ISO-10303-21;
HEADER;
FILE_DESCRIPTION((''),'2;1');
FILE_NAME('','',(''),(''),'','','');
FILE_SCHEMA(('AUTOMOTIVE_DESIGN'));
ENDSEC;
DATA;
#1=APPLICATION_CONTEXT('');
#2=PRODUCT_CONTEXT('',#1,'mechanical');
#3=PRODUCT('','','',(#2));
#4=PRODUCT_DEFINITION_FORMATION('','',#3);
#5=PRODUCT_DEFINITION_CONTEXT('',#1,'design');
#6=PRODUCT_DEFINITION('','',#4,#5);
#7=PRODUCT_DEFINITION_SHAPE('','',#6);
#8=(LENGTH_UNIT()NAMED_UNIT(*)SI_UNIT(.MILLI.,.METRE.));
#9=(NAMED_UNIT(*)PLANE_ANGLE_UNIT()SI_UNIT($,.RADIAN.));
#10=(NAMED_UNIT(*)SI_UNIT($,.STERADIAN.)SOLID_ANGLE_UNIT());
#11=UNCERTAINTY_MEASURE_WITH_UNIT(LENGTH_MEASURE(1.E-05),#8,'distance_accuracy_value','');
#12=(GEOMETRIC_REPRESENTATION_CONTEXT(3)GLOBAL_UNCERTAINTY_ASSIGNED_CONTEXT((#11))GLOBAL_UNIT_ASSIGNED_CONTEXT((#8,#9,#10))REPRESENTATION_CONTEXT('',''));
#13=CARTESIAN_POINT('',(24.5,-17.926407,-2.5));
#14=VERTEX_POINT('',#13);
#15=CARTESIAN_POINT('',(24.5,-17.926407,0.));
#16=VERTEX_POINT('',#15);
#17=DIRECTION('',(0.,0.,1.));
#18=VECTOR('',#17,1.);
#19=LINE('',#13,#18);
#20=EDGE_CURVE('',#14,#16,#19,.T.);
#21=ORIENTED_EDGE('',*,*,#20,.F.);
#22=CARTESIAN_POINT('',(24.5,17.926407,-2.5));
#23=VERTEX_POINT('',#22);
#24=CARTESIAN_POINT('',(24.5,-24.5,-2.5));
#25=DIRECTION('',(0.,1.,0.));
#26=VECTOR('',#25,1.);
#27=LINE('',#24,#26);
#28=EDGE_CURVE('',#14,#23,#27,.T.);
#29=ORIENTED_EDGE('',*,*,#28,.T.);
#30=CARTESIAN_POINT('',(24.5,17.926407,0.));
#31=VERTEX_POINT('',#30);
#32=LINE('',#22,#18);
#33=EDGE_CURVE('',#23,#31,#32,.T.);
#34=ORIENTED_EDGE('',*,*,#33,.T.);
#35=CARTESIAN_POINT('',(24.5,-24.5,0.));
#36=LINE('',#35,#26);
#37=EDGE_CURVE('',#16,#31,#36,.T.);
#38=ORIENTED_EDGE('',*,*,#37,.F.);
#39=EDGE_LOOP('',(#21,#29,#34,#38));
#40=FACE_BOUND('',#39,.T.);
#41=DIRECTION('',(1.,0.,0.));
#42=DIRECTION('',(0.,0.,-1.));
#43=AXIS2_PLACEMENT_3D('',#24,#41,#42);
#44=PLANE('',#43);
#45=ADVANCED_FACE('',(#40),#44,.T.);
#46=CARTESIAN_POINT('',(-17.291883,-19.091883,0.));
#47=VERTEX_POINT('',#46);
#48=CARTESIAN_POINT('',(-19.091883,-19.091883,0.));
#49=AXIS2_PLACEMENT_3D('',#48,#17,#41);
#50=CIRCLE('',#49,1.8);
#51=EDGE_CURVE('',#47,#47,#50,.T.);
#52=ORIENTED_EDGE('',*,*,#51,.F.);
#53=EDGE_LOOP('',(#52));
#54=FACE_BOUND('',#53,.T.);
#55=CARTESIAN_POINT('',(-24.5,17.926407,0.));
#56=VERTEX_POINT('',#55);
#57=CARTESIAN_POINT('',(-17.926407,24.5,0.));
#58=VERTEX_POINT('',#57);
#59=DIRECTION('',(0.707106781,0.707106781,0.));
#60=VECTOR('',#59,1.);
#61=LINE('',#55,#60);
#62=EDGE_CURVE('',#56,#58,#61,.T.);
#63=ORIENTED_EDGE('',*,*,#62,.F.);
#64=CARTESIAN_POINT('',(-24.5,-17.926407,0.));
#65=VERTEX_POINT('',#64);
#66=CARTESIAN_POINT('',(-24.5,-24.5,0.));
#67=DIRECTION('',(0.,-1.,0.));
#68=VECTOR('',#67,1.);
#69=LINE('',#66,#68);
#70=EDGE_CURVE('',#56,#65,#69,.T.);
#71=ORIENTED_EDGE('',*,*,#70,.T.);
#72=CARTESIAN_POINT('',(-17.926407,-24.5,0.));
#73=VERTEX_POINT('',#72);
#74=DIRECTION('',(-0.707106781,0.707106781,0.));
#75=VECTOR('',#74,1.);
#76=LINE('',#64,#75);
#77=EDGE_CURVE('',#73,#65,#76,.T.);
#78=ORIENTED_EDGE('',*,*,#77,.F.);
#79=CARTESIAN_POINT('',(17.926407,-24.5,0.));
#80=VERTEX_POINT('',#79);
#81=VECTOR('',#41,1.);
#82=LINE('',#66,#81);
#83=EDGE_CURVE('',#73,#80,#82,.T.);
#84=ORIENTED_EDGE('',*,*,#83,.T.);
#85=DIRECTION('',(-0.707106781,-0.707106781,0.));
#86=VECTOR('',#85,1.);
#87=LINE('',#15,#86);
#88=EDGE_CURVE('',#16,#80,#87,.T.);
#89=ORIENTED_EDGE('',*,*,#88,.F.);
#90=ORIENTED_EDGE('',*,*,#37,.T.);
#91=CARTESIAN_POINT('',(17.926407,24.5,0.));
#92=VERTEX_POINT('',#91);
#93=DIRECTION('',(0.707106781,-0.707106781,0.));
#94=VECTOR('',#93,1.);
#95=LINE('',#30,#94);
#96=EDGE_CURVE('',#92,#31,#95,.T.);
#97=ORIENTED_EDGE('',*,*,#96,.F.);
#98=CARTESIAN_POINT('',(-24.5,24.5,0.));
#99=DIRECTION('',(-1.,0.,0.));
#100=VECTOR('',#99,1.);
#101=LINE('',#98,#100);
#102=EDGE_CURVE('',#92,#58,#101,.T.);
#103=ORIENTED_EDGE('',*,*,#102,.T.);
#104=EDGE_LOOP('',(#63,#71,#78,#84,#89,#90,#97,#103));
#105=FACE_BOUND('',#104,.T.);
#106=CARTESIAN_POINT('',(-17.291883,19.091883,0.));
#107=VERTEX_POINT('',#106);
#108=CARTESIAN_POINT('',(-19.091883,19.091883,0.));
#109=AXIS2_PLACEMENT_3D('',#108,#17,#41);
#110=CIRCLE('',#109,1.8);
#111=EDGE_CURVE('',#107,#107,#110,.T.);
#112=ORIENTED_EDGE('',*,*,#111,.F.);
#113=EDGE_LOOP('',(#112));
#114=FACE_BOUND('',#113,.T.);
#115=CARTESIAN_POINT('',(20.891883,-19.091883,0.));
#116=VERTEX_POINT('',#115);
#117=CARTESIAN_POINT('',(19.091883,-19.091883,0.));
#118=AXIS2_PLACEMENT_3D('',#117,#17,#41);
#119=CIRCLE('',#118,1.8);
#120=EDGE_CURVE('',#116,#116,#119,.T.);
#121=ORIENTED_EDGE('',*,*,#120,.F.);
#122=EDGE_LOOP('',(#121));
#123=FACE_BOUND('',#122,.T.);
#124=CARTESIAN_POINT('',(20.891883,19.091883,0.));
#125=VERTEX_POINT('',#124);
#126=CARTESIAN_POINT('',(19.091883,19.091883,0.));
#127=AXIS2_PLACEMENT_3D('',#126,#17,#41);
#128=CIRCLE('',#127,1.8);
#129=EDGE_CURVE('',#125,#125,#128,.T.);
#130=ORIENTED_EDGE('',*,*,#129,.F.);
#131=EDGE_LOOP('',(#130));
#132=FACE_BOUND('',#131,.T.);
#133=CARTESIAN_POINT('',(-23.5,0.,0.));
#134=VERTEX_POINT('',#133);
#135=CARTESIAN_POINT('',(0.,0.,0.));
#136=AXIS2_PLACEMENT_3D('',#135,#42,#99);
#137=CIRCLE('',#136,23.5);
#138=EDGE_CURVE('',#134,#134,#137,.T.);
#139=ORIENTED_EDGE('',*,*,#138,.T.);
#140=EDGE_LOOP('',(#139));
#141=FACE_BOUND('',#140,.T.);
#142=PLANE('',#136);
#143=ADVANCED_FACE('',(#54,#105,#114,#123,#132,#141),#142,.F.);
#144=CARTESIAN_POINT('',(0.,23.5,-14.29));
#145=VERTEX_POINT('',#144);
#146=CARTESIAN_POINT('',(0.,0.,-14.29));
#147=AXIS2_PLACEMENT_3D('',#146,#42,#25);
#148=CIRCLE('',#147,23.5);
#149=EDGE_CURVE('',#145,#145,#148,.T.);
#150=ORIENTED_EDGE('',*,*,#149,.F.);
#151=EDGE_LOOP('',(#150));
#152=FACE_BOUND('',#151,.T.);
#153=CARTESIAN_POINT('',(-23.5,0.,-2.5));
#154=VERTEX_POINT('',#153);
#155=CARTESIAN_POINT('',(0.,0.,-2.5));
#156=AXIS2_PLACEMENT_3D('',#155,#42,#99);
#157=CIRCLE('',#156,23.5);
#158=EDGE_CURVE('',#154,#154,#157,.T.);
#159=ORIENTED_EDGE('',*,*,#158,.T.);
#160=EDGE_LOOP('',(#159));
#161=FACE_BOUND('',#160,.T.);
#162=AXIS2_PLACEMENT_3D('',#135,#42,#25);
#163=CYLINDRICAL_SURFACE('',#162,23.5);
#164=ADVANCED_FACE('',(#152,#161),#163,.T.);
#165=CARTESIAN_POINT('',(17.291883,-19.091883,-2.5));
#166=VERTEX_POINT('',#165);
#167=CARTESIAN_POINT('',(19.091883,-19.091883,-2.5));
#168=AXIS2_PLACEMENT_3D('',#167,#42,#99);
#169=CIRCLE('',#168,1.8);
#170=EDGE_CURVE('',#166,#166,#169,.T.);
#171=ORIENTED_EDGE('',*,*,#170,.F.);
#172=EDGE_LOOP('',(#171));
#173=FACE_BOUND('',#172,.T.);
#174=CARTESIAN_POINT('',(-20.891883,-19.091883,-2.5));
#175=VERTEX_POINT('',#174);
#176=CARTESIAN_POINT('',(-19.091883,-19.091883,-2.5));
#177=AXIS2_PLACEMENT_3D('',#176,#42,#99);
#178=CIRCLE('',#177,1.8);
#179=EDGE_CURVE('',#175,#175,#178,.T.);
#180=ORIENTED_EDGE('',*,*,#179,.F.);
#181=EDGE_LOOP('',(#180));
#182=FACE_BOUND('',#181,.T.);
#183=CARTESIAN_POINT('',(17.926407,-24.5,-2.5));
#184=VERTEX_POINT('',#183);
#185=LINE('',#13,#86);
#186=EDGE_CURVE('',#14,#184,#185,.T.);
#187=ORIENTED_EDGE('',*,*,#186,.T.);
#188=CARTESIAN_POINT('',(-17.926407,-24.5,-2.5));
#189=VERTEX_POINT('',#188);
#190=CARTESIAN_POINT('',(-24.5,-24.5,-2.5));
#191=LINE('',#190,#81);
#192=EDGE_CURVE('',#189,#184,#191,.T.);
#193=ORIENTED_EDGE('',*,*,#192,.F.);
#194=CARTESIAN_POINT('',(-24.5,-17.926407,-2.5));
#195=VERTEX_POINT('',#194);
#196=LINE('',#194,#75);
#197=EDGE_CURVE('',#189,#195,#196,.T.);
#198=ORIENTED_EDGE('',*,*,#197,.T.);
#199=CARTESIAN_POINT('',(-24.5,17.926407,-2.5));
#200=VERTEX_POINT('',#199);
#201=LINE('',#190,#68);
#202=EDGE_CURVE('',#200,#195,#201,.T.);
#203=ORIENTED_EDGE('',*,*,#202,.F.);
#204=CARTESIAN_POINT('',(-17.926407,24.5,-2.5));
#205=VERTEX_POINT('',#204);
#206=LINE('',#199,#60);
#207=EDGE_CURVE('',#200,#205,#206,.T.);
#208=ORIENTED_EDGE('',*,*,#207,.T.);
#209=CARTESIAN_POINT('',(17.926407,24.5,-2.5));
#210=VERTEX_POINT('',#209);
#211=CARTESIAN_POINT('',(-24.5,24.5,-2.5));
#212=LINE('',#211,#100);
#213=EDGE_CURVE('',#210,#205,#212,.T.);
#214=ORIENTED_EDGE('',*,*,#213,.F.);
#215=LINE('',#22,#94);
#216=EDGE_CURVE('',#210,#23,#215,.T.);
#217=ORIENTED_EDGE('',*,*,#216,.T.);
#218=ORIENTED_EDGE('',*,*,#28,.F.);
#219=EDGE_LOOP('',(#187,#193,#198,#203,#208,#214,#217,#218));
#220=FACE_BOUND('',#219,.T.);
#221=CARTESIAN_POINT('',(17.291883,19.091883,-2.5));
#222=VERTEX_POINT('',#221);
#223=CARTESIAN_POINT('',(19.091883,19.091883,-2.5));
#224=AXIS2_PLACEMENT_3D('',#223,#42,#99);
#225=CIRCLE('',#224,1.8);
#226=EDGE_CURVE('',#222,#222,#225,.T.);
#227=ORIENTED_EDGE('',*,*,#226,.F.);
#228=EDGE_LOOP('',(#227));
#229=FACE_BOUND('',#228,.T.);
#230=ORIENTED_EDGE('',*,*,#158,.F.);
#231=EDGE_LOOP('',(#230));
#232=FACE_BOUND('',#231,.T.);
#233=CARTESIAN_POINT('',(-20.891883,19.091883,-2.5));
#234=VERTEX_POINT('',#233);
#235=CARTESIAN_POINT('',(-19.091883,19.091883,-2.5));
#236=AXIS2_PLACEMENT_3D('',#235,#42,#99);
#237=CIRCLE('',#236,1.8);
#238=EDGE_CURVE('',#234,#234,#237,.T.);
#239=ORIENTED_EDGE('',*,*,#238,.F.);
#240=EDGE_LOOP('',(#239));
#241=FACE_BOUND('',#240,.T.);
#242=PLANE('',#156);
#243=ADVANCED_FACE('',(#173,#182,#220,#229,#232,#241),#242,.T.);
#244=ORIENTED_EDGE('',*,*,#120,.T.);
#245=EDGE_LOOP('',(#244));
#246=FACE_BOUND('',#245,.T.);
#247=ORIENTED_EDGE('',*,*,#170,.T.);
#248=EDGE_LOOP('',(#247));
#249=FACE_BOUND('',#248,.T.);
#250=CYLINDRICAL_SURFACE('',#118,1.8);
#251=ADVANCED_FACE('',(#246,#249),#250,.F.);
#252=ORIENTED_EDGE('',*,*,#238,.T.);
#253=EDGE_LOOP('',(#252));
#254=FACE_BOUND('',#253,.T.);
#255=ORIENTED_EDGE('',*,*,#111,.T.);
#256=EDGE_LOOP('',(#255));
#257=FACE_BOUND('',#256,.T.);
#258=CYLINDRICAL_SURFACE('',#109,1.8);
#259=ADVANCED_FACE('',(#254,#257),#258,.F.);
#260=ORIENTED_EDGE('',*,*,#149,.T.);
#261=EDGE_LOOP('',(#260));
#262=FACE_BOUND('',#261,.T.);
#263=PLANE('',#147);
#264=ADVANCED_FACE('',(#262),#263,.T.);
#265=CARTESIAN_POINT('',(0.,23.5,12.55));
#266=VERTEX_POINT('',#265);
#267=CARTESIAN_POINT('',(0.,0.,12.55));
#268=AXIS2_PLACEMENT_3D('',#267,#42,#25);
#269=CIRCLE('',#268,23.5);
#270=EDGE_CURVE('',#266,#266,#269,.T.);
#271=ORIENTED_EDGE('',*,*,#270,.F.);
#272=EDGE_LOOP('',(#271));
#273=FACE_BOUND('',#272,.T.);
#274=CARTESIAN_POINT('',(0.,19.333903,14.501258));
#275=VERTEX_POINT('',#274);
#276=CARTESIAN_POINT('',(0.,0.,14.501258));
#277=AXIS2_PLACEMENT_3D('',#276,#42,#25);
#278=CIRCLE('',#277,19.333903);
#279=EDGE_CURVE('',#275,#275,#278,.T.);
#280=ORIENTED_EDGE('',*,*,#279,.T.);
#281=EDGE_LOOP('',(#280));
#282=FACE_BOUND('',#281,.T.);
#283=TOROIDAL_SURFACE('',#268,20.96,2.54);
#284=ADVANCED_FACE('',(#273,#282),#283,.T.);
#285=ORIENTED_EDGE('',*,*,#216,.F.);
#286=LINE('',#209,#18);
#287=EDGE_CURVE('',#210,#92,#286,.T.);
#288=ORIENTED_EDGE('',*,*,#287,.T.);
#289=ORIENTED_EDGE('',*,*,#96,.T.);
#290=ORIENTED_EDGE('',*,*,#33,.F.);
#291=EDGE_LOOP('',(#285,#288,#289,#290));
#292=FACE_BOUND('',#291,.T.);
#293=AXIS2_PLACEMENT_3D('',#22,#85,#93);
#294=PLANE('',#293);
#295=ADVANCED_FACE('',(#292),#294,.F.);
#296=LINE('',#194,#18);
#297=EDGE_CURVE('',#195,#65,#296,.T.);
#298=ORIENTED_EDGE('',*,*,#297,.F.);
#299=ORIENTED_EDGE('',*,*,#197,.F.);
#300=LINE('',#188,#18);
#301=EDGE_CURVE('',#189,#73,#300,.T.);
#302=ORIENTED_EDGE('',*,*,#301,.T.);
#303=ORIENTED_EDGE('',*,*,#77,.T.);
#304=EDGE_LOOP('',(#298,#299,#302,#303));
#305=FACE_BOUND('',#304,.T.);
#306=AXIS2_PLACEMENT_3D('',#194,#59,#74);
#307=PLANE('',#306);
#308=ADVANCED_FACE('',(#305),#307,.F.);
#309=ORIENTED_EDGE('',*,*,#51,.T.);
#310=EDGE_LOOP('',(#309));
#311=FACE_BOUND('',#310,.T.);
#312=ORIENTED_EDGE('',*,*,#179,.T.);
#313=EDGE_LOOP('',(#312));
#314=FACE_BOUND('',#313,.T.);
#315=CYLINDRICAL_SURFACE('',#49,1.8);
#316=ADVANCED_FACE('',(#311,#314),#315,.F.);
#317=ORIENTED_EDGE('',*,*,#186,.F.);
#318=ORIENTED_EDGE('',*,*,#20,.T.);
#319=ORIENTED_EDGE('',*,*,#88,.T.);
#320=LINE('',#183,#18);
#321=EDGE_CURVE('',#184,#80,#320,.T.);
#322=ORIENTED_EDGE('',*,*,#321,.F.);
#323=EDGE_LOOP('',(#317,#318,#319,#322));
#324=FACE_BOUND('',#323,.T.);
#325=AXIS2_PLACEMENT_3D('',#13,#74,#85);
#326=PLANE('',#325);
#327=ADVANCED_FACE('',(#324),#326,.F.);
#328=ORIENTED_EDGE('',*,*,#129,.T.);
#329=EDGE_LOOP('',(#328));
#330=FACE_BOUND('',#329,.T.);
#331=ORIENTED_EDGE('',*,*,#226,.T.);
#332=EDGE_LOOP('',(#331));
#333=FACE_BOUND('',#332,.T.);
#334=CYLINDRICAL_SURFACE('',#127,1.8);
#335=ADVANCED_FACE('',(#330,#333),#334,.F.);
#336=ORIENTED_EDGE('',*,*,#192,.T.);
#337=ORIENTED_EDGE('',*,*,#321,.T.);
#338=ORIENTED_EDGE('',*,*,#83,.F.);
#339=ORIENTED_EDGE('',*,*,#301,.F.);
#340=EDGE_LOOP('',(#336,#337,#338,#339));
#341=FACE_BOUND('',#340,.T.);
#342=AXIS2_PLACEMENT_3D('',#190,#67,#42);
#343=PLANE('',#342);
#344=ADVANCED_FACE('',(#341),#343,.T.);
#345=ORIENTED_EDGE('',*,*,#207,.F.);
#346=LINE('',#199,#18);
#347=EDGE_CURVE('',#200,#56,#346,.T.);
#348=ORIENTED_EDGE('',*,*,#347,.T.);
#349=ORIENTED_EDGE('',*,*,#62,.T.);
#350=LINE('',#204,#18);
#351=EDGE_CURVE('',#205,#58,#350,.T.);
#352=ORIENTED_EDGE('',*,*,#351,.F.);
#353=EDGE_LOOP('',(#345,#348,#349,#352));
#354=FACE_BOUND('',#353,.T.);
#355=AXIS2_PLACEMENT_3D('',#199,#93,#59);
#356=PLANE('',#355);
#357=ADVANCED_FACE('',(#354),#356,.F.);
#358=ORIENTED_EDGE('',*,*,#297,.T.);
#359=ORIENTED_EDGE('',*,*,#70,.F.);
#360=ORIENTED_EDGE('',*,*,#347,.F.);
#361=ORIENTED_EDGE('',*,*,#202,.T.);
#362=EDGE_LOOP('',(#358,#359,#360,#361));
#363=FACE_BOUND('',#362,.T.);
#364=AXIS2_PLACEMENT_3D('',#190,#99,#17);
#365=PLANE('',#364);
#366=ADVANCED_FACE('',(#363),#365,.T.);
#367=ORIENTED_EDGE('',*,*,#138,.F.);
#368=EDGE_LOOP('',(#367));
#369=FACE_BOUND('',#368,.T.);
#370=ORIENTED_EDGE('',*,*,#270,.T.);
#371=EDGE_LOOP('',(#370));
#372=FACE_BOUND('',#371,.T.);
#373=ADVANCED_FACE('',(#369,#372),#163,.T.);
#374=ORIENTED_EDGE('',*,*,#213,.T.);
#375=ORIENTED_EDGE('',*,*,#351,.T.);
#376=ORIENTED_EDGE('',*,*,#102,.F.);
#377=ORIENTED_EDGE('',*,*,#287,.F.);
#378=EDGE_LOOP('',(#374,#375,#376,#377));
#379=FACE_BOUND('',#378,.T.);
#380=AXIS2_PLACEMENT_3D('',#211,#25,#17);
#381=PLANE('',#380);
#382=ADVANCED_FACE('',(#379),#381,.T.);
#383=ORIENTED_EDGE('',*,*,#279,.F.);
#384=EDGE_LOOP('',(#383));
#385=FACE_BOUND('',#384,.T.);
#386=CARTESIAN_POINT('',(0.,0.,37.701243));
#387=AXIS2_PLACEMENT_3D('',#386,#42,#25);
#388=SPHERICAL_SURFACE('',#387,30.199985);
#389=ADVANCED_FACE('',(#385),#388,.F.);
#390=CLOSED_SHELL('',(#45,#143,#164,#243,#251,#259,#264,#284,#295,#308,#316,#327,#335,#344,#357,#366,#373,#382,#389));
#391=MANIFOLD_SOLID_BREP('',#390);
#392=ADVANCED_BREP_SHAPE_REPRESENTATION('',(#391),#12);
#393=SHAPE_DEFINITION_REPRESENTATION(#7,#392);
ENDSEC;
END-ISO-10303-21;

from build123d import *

# Parameters (mm, degrees)
SKETCH1_W                  = 49
SKETCH1_H                  = 49
BOSS_EXTRUDE1_DEPTH        = 2.5
CUT_EXTRUDE1_DEPTH         = 2.5
F_3_6_3_6_DIAMETER_HOLE1_D = 3.6


with BuildPart() as part:
    # Sketch1 → Boss-Extrude1 (new body)
    with BuildSketch(Plane.XY):
        Rectangle(SKETCH1_W, SKETCH1_H)
    extrude(amount=-BOSS_EXTRUDE1_DEPTH)

    # Sketch2 → Revolve1 (revolve)
    with BuildSketch(Plane(origin=(0, 0, 0), x_dir=(0, 0, -1), z_dir=(1, 0, 0))):
        with BuildLine():
            Line((14.29, 0), (14.29, 23.5))
            Line((14.29, 23.5), (-12.55, 23.5))
            ThreePointArc((-12.55, 23.5), (-14.850205099, 22.037337692), (-14.501257994, 19.333902758))
            ThreePointArc((-14.501257994, 19.333902758), (-9.305131525, 10.281048048), (-7.501257994, 0))
            Line((-7.501257994, 0), (14.29, 0))
        make_face()
    revolve(axis=Axis((0, 0, 0), (0, 0, 1)))

    # Sketch3 → Cut-Extrude1 (cut)
    with BuildSketch(Plane.XY):
        Polygon((-24.5, 17.926406871), (-17.926406871, 24.5), (-24.5, 24.5), align=None)
        Polygon((24.5, 17.926406871), (17.926406871, 24.5), (24.5, 24.5), align=None)
        Polygon((-24.5, -17.926406871), (-24.5, -24.5), (-17.926406871, -24.5), align=None)
        Polygon((24.5, -17.926406871), (17.926406871, -24.5), (24.5, -24.5), align=None)
    extrude(amount=-CUT_EXTRUDE1_DEPTH, mode=Mode.SUBTRACT)

    # Ø3.6 (3.6) Diameter Hole1 (through all)
    with Locations(Plane.XY):
        with Locations((-19.091883092, 19.091883092), (19.091883092, -19.091883092), (-19.091883092, -19.091883092), (19.091883092, 19.091883092)):
            Hole(F_3_6_3_6_DIAMETER_HOLE1_D / 2)


solid = part.part
